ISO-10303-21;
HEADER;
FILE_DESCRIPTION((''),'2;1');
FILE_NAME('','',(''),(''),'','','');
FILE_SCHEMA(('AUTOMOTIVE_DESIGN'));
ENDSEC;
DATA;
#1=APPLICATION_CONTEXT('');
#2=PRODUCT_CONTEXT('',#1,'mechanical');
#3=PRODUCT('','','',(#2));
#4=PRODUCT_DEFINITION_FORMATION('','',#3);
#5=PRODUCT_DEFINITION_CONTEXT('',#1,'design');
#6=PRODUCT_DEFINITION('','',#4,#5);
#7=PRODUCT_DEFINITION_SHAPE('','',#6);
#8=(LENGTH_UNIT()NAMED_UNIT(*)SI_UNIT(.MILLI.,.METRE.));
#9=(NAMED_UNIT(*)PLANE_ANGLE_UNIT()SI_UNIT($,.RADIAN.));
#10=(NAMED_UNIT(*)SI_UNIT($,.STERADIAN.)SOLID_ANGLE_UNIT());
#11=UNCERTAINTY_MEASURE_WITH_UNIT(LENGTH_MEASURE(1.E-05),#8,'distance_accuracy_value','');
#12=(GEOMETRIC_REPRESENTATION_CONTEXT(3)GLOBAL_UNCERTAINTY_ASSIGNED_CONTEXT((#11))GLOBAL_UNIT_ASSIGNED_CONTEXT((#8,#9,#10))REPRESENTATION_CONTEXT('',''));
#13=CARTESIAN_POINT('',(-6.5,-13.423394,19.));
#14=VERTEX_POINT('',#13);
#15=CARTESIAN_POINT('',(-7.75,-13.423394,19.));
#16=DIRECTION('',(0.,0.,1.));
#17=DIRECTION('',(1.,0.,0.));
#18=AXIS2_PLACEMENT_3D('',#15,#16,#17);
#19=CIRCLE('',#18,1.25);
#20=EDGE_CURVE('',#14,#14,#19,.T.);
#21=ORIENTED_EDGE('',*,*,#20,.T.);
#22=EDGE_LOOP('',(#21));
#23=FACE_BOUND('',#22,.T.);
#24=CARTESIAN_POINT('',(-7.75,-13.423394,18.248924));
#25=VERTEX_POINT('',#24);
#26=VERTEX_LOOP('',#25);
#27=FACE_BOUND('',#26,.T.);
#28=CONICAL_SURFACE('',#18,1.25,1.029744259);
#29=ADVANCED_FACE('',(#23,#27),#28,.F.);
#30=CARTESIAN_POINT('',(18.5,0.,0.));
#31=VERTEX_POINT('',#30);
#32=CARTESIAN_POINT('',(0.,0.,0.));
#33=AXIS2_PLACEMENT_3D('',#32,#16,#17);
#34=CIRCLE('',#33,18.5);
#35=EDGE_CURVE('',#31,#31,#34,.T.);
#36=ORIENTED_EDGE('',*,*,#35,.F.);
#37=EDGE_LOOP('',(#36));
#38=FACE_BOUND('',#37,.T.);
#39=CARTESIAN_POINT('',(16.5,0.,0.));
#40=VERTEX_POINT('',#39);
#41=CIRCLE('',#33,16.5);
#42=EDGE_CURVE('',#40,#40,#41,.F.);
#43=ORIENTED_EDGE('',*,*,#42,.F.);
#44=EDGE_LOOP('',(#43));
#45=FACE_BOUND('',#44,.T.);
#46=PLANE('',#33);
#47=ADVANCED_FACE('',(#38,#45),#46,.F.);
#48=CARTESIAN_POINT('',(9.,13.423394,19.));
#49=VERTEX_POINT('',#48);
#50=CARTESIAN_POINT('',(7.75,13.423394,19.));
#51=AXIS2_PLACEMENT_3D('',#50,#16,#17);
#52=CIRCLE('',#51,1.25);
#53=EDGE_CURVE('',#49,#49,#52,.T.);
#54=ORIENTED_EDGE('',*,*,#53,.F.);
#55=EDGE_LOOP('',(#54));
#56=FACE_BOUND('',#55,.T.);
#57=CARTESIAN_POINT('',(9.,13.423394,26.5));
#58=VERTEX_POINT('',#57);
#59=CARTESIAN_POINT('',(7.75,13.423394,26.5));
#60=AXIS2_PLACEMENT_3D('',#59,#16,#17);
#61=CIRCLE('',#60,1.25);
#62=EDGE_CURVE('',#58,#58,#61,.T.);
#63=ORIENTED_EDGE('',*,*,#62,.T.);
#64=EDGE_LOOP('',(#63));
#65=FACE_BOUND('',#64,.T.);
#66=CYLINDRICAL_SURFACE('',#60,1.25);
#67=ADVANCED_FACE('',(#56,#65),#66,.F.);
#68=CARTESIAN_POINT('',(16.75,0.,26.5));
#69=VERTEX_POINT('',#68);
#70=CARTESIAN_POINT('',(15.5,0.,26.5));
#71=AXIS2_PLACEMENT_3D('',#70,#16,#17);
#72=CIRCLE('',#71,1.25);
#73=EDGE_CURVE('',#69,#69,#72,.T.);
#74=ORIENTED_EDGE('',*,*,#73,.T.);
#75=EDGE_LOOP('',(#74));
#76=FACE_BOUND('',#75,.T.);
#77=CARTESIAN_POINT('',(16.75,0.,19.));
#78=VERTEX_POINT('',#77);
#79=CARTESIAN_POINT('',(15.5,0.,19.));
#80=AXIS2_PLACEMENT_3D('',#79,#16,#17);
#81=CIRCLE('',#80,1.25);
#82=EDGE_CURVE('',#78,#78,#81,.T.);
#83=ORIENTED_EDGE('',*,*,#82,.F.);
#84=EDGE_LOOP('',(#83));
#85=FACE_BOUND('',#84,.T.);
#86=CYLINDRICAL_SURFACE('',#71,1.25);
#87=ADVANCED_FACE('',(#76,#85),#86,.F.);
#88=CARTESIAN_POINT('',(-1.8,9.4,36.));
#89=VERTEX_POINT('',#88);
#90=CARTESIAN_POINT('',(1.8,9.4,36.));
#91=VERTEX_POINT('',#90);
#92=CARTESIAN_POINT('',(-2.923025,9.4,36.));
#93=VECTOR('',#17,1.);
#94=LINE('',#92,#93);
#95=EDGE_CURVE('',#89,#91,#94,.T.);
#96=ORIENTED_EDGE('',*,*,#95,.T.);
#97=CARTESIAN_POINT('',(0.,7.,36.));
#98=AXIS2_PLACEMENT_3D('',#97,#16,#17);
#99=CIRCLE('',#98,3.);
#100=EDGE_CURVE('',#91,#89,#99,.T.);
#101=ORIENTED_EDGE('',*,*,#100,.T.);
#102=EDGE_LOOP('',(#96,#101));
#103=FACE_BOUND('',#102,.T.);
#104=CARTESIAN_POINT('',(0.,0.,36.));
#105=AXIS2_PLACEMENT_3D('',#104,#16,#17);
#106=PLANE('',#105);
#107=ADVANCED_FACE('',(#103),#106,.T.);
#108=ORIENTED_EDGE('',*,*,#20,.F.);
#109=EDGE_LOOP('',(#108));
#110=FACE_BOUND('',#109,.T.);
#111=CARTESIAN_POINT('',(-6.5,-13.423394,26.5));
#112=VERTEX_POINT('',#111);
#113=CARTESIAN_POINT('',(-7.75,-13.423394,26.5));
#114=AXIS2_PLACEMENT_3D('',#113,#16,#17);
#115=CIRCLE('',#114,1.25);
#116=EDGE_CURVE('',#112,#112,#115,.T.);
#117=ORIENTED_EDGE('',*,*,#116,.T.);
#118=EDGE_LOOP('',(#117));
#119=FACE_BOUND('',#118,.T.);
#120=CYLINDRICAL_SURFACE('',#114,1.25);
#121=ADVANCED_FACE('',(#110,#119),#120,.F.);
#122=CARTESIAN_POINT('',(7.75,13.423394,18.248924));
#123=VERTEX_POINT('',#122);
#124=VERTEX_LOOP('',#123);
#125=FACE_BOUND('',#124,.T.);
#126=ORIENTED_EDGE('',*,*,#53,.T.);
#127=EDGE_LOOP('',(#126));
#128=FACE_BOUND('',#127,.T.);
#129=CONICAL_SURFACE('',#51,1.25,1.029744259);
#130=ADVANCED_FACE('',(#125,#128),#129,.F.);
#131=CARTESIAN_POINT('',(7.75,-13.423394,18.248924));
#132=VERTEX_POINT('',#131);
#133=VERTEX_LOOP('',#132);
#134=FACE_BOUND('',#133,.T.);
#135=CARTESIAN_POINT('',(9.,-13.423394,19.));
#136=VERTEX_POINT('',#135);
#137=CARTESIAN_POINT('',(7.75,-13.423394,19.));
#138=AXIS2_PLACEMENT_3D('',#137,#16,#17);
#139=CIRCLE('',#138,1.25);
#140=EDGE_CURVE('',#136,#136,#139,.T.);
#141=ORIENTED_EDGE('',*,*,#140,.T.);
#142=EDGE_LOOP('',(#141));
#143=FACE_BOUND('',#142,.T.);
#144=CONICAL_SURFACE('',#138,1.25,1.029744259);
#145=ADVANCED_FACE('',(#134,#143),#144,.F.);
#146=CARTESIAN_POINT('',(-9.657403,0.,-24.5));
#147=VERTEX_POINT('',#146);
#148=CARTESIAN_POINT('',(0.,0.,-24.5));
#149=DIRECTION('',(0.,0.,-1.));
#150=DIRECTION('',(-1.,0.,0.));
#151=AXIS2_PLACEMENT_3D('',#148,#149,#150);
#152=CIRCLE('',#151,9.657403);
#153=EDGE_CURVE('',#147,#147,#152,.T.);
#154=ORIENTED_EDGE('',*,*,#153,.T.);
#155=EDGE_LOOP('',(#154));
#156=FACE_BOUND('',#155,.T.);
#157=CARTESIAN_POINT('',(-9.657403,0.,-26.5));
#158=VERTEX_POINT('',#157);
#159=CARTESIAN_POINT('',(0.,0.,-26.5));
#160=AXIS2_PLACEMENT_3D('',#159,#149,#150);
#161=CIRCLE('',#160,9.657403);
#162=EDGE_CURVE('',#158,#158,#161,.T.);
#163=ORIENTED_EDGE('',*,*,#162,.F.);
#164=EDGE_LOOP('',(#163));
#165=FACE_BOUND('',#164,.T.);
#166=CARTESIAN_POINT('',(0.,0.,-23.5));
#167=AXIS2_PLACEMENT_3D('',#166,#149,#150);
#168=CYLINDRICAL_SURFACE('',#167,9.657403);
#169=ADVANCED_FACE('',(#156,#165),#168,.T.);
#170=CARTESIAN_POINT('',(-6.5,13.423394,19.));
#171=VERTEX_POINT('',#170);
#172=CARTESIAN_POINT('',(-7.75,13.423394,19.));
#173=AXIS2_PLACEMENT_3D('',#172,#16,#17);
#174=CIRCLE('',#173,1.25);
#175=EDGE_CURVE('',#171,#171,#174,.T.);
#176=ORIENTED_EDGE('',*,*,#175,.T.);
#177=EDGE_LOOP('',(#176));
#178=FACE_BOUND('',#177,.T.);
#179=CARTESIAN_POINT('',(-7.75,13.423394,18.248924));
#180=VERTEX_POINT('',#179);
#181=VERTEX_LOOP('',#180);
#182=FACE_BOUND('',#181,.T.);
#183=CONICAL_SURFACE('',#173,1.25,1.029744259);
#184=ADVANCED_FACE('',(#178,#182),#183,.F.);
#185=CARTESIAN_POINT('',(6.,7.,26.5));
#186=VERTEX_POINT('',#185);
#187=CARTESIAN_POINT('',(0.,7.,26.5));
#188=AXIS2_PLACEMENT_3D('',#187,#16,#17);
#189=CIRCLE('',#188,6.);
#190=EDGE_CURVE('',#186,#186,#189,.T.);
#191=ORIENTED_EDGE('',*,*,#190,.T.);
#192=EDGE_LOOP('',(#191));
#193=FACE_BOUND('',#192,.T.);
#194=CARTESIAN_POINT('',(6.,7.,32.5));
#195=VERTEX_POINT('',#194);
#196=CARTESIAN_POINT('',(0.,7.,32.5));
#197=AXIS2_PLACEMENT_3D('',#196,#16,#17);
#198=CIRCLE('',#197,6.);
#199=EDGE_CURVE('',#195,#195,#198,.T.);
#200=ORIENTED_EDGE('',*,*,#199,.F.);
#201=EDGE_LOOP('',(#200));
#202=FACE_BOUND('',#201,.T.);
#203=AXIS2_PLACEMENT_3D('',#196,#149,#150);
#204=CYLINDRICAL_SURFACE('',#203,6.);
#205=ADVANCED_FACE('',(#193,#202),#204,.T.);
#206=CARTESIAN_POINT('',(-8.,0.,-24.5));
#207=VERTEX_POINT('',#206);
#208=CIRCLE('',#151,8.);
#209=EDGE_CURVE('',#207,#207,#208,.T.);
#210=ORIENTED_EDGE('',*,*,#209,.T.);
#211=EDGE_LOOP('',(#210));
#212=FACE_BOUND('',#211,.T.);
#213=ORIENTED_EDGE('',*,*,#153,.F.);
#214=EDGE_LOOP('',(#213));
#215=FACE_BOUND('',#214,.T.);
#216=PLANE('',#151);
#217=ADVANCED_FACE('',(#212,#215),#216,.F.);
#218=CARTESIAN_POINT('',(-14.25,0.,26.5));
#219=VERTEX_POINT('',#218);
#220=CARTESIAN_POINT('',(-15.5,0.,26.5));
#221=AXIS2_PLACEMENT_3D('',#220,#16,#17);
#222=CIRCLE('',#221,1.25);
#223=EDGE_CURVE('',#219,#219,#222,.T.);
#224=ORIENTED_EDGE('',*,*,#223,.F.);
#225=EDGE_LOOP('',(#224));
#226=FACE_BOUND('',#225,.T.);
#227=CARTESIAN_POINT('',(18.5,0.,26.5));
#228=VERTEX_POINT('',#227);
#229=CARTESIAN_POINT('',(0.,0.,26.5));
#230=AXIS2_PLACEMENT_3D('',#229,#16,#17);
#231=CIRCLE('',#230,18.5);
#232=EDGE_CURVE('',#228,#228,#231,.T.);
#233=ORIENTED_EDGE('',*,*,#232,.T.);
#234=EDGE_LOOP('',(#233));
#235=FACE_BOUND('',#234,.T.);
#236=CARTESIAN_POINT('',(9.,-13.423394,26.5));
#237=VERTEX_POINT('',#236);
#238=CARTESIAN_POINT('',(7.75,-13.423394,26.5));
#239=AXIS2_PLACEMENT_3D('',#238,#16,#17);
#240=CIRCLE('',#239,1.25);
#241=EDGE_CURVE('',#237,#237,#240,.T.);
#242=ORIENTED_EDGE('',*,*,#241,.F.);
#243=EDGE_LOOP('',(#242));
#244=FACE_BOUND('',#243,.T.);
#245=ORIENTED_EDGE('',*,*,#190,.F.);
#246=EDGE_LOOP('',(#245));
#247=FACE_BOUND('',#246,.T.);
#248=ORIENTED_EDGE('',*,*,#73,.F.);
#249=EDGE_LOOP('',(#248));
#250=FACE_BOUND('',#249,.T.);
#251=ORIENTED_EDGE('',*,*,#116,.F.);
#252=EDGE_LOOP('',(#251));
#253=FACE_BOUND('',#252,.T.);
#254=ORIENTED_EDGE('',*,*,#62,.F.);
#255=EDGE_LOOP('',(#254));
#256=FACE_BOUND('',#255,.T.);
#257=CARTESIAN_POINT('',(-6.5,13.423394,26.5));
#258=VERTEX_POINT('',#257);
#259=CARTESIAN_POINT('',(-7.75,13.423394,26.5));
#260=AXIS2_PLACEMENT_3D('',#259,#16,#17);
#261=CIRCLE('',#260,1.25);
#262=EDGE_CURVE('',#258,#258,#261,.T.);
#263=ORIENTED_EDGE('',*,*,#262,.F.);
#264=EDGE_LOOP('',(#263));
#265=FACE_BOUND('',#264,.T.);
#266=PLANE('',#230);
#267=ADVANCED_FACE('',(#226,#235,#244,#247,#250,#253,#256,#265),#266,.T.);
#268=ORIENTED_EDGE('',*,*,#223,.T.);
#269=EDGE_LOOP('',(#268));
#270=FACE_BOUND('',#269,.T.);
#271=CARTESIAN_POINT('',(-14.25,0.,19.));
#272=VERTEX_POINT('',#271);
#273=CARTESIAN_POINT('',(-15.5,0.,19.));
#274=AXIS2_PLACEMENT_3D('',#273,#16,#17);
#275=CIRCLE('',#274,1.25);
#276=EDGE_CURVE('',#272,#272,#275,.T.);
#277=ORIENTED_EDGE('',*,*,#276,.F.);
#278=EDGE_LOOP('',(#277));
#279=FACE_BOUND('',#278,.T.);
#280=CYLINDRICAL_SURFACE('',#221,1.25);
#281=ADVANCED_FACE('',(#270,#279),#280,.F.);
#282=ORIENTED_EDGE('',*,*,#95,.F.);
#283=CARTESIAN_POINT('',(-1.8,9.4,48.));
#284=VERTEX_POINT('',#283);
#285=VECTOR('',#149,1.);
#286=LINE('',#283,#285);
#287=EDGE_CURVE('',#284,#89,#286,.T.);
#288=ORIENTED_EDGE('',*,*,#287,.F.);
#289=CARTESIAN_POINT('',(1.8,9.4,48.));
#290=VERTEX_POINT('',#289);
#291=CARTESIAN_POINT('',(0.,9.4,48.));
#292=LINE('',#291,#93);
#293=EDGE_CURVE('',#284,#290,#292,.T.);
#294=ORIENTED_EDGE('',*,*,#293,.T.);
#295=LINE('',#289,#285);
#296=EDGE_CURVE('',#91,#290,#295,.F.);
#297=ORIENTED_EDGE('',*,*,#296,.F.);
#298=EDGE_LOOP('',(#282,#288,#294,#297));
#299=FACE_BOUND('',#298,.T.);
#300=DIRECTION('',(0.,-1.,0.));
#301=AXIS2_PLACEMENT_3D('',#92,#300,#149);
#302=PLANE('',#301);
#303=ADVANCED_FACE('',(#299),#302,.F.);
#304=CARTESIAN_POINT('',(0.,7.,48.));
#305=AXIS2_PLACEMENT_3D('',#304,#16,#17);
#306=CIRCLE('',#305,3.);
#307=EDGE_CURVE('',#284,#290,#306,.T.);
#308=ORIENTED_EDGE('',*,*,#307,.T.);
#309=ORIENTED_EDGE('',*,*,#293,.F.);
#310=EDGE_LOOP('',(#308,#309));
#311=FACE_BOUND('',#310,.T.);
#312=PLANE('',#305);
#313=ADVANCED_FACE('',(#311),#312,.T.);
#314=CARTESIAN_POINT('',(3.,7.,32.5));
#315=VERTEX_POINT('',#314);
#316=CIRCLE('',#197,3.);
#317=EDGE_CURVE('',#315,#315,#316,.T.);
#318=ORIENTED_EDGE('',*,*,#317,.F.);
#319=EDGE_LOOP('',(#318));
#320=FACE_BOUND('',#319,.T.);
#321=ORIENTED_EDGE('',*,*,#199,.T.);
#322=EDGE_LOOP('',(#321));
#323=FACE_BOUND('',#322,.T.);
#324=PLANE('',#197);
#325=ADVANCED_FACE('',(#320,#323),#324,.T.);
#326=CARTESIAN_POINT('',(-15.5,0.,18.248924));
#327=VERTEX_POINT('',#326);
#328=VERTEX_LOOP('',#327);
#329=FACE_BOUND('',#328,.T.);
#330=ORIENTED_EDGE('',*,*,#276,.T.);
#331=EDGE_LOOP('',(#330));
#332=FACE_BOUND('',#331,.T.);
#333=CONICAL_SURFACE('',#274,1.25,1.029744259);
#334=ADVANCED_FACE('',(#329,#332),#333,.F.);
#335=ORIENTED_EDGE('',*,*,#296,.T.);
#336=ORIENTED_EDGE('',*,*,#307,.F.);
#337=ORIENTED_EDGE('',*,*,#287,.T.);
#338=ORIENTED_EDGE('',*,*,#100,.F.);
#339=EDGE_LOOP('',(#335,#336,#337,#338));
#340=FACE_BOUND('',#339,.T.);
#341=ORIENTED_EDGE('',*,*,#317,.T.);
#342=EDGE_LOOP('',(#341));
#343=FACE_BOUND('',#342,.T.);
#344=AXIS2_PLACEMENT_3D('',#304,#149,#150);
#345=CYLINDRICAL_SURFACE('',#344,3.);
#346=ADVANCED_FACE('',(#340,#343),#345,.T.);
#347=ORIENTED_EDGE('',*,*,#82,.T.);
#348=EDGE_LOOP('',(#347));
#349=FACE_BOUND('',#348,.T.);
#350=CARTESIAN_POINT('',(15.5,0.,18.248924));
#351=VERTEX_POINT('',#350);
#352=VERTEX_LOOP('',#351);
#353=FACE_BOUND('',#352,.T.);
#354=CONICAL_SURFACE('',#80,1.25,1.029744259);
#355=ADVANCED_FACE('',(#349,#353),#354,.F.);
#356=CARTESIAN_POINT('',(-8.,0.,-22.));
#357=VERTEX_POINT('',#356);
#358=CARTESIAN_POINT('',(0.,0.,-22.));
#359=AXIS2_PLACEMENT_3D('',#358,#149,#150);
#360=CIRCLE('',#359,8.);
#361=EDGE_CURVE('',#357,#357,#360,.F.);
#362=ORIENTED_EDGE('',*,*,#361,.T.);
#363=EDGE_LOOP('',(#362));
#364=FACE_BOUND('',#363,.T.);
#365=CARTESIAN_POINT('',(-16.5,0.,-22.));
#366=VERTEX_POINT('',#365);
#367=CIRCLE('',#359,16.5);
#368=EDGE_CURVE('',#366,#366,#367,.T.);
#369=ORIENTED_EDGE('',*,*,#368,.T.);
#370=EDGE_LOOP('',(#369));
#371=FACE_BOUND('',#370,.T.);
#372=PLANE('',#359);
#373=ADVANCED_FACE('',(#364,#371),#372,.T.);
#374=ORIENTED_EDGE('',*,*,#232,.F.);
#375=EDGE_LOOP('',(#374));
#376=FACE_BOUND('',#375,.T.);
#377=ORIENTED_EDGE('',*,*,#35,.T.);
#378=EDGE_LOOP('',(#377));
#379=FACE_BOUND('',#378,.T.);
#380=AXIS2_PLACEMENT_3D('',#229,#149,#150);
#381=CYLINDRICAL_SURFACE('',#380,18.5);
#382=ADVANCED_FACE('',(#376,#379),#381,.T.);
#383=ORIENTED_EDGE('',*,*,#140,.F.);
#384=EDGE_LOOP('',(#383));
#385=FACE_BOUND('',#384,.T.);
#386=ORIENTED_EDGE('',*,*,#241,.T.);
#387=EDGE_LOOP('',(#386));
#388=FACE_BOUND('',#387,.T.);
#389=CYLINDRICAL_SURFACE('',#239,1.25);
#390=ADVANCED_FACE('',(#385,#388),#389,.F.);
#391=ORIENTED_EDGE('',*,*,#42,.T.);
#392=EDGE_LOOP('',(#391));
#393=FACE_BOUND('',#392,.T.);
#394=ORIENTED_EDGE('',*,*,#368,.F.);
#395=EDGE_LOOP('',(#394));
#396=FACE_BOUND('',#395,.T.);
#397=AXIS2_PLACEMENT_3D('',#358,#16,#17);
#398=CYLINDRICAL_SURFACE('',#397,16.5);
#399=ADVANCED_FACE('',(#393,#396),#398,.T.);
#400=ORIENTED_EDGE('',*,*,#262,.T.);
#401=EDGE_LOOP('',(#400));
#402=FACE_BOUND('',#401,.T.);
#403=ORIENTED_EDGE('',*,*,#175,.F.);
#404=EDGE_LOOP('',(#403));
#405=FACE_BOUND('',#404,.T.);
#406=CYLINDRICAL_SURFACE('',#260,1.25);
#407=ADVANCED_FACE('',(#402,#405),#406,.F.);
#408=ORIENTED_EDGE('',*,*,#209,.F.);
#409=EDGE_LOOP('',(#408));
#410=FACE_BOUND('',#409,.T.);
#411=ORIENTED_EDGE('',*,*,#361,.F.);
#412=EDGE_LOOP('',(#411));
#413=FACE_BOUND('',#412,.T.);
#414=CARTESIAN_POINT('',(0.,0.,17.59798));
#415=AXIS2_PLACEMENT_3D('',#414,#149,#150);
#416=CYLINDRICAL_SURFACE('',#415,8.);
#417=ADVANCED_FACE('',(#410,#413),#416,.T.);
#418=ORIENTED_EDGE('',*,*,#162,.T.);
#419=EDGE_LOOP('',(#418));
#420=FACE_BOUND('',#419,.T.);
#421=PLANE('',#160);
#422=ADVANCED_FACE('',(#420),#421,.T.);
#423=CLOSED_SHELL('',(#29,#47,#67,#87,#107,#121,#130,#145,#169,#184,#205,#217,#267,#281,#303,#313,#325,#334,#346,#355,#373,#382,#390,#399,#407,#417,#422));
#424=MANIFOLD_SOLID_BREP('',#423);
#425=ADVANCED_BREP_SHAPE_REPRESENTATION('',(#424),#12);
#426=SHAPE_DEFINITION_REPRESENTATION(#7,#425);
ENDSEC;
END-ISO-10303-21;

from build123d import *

# Parameters (mm, degrees)
SKETCH_1_R             = 18.5
EXTRUDE_1_DEPTH        = 26.5
SKETCH_2_R             = 6
EXTRUDE_2_DEPTH        = 6
SKETCH_3_R             = 3
EXTRUDE_3_DEPTH        = 15.5
SKETCH_4_W             = 6.445073496
SKETCH_4_H             = 1.792044826
CUT_EXTRUDE_1_DEPTH    = 12
SKETCH_5_R             = 16.5
EXTRUDE_4_DEPTH        = 22
HOLE_WIZARD_M3_1_D     = 2.5
HOLE_WIZARD_M3_1_DEPTH = 7.5
HOLE_WIZARD_M3_1_TIP   = 0.751075774
SKETCH_8_R             = 14
EXTRUDE_5_DEPTH        = 4.5
CUT_EXTRUDE_START      = -2.5
SKETCH_9_R             = 14
SKETCH_9_R_2           = 8
CUT_EXTRUDE_2_DEPTH    = 2.5
CUT_EXTRUDE_START_2    = -3
SKETCH_10_R            = 14
SKETCH_10_R_2          = 9.657403228
CUT_EXTRUDE_3_DEPTH    = 3


with BuildPart() as part:
    # 草图1 → 凸台-拉伸1 (new body)
    with BuildSketch(Plane.XY):
        Circle(SKETCH_1_R)
    extrude(amount=EXTRUDE_1_DEPTH)

    # 草图2 → 凸台-拉伸2 (add)
    with BuildSketch(Plane.XY.offset(26.5)):
        with Locations((0, 7)):
            Circle(SKETCH_2_R)
    extrude(amount=EXTRUDE_2_DEPTH)

    # 草图3 → 凸台-拉伸3 (add)
    with BuildSketch(Plane.XY.offset(32.5)):
        with Locations((0, 7)):
            Circle(SKETCH_3_R)
    extrude(amount=EXTRUDE_3_DEPTH)

    # 草图4 → 切除-拉伸1 (cut)
    with BuildSketch(Plane.XY.offset(48)):
        with Locations((0.299511506, 10.296022413)):
            Rectangle(SKETCH_4_W, SKETCH_4_H)
    extrude(amount=-CUT_EXTRUDE_1_DEPTH, mode=Mode.SUBTRACT)

    # 草图5 → 凸台-拉伸4 (add)
    with BuildSketch(Plane(origin=(0, 0, 0), x_dir=(-1, 0, 0), z_dir=(0, 0, -1))):
        with Locations(Location((0, 0, 0), (0, 0, 180))):
            Circle(SKETCH_5_R)
    extrude(amount=EXTRUDE_4_DEPTH)

    # M3 螺纹孔1
    with Locations(Plane(origin=(-7.75, 13.423393759, 26.5), x_dir=(1, 0, 0), z_dir=(0, 0, 1))):
        with Locations((0, 0), (15.5, 0), (23.25, -13.423393759), (15.5, -26.846787518), (0, -26.846787518), (-7.75, -13.423393759)):
            Hole(HOLE_WIZARD_M3_1_D / 2, depth=HOLE_WIZARD_M3_1_DEPTH)
            with Locations((0, 0, -(HOLE_WIZARD_M3_1_DEPTH + HOLE_WIZARD_M3_1_TIP / 2))):  # 118° drill point
                Cone(0, HOLE_WIZARD_M3_1_D / 2, HOLE_WIZARD_M3_1_TIP, mode=Mode.SUBTRACT)

    # 草图8 → 凸台-拉伸5 (add)
    with BuildSketch(Plane(origin=(0, 0, -22), x_dir=(-1, 0, 0), z_dir=(0, 0, -1))):
        Circle(SKETCH_8_R)
    extrude(amount=EXTRUDE_5_DEPTH)

    # 草图9 → 切除-拉伸2 (cut)
    with BuildSketch(Plane(origin=(0, 0, -24.5), x_dir=(-1, 0, 0), z_dir=(0, 0, -1)).offset(CUT_EXTRUDE_START)):
        Circle(SKETCH_9_R)
        Circle(SKETCH_9_R_2, mode=Mode.SUBTRACT)
    extrude(amount=CUT_EXTRUDE_2_DEPTH, mode=Mode.SUBTRACT)

    # 草图10 → 切除-拉伸3 (cut)
    with BuildSketch(Plane(origin=(0, 0, -26.5), x_dir=(-1, 0, 0), z_dir=(0, 0, -1)).offset(CUT_EXTRUDE_START_2)):
        Circle(SKETCH_10_R)
        Circle(SKETCH_10_R_2, mode=Mode.SUBTRACT)
    extrude(amount=CUT_EXTRUDE_3_DEPTH, mode=Mode.SUBTRACT)


solid = part.part
